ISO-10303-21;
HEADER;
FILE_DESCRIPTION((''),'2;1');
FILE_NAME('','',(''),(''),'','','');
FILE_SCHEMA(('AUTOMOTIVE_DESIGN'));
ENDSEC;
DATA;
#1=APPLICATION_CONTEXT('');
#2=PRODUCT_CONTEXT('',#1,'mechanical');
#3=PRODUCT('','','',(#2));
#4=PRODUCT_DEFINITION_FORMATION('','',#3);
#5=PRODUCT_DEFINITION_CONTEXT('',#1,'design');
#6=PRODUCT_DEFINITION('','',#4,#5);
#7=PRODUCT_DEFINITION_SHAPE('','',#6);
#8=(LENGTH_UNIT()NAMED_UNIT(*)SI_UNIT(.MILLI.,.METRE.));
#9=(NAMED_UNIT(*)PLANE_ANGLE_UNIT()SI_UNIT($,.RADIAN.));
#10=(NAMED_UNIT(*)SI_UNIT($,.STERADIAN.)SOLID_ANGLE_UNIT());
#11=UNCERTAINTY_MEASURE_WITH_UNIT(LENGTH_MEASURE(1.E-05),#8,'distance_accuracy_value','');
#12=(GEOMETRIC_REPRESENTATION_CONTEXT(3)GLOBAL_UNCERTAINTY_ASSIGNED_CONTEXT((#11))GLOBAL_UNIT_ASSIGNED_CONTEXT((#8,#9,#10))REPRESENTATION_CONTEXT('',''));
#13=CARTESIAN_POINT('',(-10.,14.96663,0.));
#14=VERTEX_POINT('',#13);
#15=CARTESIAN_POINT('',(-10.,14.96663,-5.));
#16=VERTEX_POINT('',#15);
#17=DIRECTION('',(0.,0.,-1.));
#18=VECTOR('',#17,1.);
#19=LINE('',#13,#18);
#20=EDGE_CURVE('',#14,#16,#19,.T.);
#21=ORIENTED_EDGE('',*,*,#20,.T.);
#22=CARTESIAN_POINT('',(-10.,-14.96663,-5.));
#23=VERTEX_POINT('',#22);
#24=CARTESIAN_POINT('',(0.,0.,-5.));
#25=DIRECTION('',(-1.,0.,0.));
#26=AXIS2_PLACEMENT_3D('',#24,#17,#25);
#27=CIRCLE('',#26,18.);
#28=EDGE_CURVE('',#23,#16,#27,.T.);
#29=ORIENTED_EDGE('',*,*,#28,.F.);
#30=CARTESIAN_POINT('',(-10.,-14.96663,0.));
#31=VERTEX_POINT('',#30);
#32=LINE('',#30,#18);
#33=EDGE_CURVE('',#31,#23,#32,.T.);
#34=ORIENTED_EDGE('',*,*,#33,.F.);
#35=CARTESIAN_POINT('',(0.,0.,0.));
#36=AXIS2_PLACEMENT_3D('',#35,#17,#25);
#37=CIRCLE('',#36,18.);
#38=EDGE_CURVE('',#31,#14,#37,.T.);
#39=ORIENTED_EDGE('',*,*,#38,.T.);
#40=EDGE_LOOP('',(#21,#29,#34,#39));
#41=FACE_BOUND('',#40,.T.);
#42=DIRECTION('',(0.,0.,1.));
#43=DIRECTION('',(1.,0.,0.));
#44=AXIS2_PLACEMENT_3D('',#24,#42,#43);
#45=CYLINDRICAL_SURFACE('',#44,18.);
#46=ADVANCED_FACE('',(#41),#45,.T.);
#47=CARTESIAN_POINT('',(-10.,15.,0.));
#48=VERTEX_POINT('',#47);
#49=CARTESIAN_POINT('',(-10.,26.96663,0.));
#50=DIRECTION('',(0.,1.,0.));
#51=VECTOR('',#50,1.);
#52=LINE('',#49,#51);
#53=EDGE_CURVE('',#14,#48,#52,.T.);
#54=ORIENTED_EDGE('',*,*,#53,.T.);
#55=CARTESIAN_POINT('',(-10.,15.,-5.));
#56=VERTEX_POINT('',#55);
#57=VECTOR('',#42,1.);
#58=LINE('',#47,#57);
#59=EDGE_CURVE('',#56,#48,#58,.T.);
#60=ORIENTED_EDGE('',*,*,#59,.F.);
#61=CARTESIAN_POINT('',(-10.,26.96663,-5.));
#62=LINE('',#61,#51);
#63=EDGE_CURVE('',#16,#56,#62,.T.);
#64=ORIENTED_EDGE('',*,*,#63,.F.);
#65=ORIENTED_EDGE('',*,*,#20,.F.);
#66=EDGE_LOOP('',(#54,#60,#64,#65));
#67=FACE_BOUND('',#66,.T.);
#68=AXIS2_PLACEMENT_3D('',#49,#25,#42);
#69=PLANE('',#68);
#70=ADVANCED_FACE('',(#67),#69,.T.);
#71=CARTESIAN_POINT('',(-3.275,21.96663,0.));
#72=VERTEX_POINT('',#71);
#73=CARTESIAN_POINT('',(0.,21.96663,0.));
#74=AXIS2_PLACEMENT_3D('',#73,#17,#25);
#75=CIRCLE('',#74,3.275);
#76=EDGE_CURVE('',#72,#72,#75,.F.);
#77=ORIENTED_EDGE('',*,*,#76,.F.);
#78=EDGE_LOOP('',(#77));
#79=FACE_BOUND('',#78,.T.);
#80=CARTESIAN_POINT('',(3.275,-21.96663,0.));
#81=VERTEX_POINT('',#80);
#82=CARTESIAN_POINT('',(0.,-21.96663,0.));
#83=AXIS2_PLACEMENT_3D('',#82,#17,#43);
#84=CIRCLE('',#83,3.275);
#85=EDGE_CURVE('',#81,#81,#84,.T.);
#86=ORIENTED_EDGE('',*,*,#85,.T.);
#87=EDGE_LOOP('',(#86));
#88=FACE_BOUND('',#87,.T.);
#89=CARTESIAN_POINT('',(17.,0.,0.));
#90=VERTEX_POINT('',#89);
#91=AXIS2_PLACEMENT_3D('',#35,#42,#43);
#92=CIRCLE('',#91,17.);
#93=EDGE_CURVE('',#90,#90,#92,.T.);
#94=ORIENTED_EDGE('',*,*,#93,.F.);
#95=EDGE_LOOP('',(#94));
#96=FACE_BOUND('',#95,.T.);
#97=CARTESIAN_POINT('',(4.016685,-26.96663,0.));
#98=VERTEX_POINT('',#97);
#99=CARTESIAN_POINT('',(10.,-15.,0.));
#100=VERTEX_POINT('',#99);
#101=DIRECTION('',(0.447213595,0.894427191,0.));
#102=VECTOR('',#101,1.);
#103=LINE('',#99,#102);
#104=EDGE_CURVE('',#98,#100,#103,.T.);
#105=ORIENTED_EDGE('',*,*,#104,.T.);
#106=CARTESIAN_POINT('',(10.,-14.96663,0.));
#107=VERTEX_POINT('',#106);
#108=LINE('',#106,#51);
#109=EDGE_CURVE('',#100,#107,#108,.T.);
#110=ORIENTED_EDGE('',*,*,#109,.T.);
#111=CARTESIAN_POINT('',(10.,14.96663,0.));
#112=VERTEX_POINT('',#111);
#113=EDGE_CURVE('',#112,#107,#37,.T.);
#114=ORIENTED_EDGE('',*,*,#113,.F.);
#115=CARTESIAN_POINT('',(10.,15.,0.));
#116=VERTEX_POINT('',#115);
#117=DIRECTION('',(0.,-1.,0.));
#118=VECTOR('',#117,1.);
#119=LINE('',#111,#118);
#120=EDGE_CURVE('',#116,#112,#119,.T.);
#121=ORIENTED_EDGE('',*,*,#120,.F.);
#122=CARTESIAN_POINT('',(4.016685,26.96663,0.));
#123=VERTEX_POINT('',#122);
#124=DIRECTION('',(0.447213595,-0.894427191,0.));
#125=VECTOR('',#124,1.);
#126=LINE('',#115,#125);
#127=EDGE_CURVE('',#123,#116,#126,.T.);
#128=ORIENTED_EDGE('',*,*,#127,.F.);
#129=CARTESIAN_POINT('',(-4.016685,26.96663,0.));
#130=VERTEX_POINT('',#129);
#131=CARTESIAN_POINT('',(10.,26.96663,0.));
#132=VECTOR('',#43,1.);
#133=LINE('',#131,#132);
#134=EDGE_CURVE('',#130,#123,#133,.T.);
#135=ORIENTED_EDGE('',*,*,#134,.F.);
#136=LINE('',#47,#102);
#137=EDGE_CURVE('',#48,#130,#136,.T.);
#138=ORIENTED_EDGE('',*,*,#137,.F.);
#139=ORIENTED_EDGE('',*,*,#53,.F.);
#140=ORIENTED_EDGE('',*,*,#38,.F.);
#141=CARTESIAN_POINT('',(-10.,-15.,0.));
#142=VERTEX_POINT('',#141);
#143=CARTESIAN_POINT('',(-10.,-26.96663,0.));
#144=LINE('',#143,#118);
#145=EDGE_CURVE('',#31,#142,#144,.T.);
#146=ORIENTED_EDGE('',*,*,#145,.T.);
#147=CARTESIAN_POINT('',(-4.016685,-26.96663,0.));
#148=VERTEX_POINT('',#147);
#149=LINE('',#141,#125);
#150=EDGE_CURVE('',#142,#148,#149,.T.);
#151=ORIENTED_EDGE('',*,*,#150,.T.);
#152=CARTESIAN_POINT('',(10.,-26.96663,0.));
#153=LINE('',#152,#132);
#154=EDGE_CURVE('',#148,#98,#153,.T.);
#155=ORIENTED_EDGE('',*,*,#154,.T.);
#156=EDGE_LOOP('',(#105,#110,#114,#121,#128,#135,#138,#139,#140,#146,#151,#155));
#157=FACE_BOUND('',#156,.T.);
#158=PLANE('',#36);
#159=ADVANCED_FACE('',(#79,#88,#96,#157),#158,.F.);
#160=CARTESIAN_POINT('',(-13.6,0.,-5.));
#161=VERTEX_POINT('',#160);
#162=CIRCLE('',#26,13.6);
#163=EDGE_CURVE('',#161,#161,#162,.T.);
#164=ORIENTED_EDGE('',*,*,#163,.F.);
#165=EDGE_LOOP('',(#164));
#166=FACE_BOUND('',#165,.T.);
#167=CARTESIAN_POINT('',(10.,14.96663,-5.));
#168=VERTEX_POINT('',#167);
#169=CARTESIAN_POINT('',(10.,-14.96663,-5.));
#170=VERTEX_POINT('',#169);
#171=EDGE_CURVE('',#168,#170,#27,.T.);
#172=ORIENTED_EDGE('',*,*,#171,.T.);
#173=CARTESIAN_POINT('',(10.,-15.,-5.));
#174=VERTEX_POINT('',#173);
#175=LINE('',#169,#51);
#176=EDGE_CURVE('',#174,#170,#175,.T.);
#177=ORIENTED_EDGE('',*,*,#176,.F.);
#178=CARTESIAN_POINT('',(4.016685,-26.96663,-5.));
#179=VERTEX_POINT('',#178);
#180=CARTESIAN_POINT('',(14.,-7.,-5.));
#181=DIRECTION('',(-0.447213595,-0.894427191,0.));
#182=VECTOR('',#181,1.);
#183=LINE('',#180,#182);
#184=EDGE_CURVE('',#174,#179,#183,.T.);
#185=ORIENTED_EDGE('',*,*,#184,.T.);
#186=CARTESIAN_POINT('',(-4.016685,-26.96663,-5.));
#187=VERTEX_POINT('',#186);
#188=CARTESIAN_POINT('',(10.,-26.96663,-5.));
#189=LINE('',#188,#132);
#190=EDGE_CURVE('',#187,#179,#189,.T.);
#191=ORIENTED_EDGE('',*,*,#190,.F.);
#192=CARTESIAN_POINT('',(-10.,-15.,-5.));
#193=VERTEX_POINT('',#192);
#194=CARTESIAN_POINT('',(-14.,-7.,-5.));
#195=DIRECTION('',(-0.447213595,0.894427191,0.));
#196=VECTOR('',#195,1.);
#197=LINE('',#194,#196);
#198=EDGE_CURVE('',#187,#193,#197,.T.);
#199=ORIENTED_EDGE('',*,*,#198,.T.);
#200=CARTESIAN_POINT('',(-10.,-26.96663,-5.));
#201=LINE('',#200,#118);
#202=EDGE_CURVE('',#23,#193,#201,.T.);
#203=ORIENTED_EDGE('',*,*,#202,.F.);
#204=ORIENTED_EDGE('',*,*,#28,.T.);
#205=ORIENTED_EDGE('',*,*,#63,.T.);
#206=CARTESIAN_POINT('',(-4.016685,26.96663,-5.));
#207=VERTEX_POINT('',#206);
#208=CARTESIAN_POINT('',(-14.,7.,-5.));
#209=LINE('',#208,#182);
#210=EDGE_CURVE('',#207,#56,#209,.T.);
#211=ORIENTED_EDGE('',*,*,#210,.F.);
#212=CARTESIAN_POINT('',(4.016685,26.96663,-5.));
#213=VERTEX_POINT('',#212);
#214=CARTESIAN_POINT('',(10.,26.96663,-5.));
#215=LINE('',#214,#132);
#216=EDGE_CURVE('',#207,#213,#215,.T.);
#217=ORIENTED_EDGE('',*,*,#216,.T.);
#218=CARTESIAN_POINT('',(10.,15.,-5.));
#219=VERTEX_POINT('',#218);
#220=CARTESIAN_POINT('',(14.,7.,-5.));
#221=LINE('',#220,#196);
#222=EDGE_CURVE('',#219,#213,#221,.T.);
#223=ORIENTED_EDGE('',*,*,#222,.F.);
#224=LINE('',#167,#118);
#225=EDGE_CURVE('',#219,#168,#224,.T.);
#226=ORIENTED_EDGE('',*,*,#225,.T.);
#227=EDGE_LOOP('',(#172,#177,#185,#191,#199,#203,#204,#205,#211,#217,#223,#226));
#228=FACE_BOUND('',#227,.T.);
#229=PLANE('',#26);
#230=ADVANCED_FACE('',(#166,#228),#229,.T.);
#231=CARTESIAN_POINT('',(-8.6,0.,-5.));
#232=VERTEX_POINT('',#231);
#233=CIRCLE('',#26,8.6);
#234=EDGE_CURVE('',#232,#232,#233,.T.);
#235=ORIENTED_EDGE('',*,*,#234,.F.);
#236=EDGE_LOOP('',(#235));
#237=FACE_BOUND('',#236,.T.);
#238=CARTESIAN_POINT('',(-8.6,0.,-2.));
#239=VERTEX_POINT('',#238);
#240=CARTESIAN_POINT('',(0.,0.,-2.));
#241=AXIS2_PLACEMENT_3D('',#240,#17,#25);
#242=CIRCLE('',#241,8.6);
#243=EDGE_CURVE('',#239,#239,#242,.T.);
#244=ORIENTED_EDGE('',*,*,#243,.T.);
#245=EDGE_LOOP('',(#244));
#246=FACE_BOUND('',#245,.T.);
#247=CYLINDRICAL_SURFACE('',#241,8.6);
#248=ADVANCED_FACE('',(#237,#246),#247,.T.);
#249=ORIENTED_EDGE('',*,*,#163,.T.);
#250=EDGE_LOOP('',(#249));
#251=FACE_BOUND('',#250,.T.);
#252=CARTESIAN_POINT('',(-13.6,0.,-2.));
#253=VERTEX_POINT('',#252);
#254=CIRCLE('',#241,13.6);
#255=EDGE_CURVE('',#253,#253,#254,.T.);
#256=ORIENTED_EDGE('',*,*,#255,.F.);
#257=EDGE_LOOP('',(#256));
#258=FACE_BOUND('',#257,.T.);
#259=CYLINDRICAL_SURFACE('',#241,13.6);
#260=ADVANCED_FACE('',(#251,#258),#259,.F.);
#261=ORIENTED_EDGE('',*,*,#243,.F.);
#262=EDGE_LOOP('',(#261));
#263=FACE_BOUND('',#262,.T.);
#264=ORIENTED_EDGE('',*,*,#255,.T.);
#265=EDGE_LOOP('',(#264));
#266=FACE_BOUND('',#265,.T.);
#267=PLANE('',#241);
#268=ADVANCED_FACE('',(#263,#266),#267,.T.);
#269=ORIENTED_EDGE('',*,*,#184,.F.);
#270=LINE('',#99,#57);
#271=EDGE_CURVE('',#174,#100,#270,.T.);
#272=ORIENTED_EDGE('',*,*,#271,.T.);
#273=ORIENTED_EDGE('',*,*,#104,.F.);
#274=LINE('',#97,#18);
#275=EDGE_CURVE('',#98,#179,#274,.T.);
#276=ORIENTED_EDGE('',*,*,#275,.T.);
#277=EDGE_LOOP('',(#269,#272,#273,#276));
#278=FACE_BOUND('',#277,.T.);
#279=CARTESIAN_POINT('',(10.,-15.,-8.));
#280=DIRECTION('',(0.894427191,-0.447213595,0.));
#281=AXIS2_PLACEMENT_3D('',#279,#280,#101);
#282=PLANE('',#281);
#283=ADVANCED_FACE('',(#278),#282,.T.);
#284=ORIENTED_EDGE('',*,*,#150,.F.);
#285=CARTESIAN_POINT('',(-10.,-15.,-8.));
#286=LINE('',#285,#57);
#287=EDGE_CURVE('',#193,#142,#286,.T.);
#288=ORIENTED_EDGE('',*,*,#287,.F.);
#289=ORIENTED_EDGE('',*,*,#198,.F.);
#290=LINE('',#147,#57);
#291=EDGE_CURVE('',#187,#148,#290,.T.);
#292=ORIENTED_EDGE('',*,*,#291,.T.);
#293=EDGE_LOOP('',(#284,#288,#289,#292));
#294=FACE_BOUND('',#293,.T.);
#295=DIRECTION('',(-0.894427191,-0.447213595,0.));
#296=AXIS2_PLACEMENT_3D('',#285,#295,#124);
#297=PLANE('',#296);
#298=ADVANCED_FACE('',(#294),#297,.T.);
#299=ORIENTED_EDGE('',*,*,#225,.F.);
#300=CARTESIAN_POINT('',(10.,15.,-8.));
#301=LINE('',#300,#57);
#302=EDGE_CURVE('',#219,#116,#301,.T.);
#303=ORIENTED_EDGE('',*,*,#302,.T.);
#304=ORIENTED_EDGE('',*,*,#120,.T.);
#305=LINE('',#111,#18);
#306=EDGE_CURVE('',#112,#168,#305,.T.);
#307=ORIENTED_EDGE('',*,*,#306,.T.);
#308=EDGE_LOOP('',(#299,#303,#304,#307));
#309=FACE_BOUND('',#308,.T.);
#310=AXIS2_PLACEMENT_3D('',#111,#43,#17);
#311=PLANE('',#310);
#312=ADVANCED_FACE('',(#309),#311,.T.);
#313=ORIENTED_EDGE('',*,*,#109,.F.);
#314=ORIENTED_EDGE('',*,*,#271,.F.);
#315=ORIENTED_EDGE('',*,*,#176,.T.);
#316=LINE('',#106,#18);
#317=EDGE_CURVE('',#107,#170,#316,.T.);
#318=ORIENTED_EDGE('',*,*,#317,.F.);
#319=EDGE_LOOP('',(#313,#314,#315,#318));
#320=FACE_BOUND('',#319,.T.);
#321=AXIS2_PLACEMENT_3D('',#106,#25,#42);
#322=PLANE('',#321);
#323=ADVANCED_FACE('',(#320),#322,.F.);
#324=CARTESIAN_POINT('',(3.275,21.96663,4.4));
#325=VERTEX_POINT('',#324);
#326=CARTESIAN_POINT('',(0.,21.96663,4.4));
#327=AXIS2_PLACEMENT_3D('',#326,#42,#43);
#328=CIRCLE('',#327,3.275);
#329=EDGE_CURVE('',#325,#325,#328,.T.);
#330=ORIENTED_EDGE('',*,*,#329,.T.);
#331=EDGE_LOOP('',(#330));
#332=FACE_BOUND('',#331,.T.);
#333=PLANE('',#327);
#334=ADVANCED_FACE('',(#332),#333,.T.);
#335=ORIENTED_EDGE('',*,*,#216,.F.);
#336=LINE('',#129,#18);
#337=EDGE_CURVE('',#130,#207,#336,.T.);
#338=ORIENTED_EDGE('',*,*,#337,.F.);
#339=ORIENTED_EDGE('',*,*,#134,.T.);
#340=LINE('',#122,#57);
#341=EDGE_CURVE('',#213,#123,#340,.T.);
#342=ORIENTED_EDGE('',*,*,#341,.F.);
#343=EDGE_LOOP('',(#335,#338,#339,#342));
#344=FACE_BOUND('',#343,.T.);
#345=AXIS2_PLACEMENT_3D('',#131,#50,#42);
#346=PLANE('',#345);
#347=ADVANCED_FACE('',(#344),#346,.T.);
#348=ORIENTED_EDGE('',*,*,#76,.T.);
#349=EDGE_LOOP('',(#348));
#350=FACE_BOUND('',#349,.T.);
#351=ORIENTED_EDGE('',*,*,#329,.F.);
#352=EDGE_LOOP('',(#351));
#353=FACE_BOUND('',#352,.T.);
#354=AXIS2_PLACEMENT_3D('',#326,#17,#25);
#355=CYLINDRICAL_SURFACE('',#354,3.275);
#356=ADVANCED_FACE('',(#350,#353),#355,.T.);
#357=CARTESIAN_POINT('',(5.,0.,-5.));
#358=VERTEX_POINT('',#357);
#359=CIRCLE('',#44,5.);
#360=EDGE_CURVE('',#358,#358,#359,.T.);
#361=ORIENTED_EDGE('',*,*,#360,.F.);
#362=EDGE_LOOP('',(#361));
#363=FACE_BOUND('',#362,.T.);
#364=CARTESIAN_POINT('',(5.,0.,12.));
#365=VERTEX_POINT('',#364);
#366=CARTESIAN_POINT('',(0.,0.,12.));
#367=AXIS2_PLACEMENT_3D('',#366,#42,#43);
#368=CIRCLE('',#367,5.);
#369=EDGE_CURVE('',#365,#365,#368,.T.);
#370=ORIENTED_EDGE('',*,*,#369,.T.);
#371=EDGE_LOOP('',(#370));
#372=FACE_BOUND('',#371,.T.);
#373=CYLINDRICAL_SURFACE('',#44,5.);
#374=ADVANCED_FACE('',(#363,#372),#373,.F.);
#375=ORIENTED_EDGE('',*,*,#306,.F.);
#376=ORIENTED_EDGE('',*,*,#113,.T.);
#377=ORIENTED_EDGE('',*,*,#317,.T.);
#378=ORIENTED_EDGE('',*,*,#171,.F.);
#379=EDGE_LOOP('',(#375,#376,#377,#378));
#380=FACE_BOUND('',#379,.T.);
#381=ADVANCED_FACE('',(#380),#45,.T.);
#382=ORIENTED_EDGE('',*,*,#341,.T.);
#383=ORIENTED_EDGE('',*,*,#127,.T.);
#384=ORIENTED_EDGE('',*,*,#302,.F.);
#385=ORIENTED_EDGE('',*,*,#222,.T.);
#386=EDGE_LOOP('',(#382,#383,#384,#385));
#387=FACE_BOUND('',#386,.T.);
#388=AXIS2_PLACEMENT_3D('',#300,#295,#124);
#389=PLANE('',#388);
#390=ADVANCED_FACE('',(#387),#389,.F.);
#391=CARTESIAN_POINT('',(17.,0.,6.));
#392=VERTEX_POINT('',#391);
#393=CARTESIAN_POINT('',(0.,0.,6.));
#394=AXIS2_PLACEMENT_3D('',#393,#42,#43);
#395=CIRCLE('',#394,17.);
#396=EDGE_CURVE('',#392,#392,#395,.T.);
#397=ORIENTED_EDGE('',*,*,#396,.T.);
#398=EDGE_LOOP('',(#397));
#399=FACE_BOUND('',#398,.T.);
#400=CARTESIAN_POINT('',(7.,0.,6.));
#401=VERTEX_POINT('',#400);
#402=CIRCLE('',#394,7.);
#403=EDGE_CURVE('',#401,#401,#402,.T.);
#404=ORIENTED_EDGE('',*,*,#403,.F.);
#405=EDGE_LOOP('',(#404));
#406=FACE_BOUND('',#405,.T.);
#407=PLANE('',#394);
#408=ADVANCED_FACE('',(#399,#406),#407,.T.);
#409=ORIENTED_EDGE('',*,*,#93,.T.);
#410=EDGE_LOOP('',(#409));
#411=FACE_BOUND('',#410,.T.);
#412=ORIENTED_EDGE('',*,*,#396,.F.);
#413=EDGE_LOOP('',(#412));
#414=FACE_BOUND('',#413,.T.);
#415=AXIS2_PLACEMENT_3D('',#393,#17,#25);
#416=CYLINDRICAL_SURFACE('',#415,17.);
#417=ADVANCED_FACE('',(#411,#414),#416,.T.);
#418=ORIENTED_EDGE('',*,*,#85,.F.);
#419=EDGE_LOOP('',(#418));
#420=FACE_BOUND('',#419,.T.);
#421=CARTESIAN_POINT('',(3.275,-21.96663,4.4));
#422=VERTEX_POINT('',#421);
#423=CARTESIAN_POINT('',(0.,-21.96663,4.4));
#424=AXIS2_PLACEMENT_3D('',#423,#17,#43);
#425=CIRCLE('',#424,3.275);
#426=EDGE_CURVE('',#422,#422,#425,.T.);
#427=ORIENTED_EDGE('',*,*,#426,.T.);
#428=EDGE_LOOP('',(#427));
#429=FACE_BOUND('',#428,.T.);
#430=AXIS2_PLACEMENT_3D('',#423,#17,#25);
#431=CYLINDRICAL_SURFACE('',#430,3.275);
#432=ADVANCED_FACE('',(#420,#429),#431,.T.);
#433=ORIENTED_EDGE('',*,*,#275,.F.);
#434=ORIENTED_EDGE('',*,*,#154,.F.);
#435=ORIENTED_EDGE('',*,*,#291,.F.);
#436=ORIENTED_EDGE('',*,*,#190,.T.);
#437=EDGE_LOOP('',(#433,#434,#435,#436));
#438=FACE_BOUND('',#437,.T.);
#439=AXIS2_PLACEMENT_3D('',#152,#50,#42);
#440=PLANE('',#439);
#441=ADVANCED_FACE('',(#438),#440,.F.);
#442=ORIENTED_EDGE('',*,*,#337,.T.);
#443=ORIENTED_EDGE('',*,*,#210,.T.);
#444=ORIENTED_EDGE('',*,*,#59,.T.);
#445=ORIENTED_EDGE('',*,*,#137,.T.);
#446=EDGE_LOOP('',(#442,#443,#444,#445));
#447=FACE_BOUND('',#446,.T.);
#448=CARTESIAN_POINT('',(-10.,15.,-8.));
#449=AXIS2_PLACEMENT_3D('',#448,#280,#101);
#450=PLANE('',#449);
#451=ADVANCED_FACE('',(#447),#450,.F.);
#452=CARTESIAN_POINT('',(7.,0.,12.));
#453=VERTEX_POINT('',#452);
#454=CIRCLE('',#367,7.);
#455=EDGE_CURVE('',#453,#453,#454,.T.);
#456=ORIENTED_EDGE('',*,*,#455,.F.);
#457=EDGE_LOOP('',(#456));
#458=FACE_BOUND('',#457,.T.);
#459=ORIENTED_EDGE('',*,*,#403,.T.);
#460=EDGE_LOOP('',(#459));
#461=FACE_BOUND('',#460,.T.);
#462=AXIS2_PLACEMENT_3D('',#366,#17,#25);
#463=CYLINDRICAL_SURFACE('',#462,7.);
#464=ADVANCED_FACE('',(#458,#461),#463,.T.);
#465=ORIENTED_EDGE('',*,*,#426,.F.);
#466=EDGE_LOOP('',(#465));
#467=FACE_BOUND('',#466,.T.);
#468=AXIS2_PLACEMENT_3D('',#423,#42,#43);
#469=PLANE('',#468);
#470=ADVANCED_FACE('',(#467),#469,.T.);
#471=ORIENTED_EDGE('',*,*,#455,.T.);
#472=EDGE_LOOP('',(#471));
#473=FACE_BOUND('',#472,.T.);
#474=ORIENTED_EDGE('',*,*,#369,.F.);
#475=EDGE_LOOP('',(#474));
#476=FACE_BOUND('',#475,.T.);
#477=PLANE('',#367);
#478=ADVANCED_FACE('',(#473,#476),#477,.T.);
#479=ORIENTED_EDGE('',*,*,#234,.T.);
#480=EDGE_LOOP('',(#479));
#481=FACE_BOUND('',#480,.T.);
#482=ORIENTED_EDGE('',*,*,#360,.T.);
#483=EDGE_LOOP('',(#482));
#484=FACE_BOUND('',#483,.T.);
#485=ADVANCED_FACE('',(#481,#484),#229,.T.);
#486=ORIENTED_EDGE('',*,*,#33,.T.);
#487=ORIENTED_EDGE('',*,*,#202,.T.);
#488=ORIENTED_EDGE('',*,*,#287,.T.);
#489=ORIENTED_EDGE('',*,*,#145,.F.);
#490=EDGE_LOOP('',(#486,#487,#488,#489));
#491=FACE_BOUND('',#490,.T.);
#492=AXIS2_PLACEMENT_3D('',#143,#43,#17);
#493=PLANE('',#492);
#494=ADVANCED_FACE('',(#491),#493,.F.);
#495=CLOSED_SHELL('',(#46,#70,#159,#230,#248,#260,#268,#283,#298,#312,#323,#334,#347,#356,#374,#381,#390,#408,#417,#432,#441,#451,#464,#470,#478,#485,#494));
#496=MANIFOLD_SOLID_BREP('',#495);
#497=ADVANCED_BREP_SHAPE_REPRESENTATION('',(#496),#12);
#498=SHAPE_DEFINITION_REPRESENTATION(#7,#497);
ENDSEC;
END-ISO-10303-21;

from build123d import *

# Parameters (mm, degrees)
SKETCH_1_R          = 17
EXTRUDE_1_DEPTH     = 6
SKETCH_2_R          = 7
EXTRUDE_2_DEPTH     = 6
SKETCH_3_R          = 18
EXTRUDE_3_DEPTH     = 5
EXTRUDE_START       = -5
EXTRUDE_6_DEPTH     = 5
CUT_EXTRUDE_1_DEPTH = 8
SKETCH_6_R          = 3.275
EXTRUDE_5_DEPTH     = 4.4
SKETCH_9_R          = 5
CUT_EXTRUDE_3_DEPTH = 37.608729958
SKETCH_10_R         = 13.6
SKETCH_10_R_2       = 8.6
CUT_EXTRUDE_4_DEPTH = 3


with BuildPart() as part:
    # 스케치1 → 보스-돌출1 (new body)
    with BuildSketch(Plane.XY):
        Circle(SKETCH_1_R)
    extrude(amount=EXTRUDE_1_DEPTH)

    # 스케치2 → 보스-돌출2 (add)
    with BuildSketch(Plane.XY.offset(6)):
        Circle(SKETCH_2_R)
    extrude(amount=EXTRUDE_2_DEPTH)

    # 스케치3 → 보스-돌출3 (add)
    with BuildSketch(Plane(origin=(0, 0, 0), x_dir=(-1, 0, 0), z_dir=(0, 0, -1))):
        Circle(SKETCH_3_R)
    extrude(amount=EXTRUDE_3_DEPTH)

    # 스케치8 → 보스-돌출6 (add)
    with BuildSketch(Plane(origin=(0, 0, -5), x_dir=(-1, 0, 0), z_dir=(0, 0, -1)).offset(EXTRUDE_START)):
        with BuildLine():
            Line((-10, 14.966629547), (-10, 26.966629547))
            Line((-10, 26.966629547), (10, 26.966629547))
            Line((10, 26.966629547), (10, 14.966629547))
            ThreePointArc((10, 14.966629547), (0, 18), (-10, 14.966629547))
        make_face()
    extrude_6 = extrude(amount=EXTRUDE_6_DEPTH)

    # 스케치5 → 컷-돌출1 (cut)
    with BuildSketch(Plane.XY):
        Polygon((-10, 27), (-10, 15), (-4, 27), align=None)
        Polygon((4, 27), (10, 27), (10, 15), align=None)
    cut_extrude_1 = extrude(amount=-CUT_EXTRUDE_1_DEPTH, mode=Mode.SUBTRACT)

    # 스케치6 → 보스-돌출5 (add)
    with BuildSketch(Plane.XY):
        with Locations(Location((0, 21.966629547, 0), (0, 0, 180))):
            Circle(SKETCH_6_R)
    extrude_5 = extrude(amount=EXTRUDE_5_DEPTH)

    # 대칭 복사6: 보스-돌출6, 컷-돌출1, 보스-돌출5 across plane
    add(extrude_6.mirror(Plane.ZX))
    add(cut_extrude_1.mirror(Plane.ZX), mode=Mode.SUBTRACT)
    add(extrude_5.mirror(Plane.ZX))

    # 스케치9 → 컷-돌출3 (cut, through all)
    with BuildSketch(Plane.XY.offset(12)):
        Circle(SKETCH_9_R)
    extrude(amount=-CUT_EXTRUDE_3_DEPTH, mode=Mode.SUBTRACT)

    # 스케치10 → 컷-돌출4 (cut)
    with BuildSketch(Plane(origin=(0, 0, -5), x_dir=(-1, 0, 0), z_dir=(0, 0, -1))):
        Circle(SKETCH_10_R)
        Circle(SKETCH_10_R_2, mode=Mode.SUBTRACT)
    extrude(amount=-CUT_EXTRUDE_4_DEPTH, mode=Mode.SUBTRACT)


solid = part.part
